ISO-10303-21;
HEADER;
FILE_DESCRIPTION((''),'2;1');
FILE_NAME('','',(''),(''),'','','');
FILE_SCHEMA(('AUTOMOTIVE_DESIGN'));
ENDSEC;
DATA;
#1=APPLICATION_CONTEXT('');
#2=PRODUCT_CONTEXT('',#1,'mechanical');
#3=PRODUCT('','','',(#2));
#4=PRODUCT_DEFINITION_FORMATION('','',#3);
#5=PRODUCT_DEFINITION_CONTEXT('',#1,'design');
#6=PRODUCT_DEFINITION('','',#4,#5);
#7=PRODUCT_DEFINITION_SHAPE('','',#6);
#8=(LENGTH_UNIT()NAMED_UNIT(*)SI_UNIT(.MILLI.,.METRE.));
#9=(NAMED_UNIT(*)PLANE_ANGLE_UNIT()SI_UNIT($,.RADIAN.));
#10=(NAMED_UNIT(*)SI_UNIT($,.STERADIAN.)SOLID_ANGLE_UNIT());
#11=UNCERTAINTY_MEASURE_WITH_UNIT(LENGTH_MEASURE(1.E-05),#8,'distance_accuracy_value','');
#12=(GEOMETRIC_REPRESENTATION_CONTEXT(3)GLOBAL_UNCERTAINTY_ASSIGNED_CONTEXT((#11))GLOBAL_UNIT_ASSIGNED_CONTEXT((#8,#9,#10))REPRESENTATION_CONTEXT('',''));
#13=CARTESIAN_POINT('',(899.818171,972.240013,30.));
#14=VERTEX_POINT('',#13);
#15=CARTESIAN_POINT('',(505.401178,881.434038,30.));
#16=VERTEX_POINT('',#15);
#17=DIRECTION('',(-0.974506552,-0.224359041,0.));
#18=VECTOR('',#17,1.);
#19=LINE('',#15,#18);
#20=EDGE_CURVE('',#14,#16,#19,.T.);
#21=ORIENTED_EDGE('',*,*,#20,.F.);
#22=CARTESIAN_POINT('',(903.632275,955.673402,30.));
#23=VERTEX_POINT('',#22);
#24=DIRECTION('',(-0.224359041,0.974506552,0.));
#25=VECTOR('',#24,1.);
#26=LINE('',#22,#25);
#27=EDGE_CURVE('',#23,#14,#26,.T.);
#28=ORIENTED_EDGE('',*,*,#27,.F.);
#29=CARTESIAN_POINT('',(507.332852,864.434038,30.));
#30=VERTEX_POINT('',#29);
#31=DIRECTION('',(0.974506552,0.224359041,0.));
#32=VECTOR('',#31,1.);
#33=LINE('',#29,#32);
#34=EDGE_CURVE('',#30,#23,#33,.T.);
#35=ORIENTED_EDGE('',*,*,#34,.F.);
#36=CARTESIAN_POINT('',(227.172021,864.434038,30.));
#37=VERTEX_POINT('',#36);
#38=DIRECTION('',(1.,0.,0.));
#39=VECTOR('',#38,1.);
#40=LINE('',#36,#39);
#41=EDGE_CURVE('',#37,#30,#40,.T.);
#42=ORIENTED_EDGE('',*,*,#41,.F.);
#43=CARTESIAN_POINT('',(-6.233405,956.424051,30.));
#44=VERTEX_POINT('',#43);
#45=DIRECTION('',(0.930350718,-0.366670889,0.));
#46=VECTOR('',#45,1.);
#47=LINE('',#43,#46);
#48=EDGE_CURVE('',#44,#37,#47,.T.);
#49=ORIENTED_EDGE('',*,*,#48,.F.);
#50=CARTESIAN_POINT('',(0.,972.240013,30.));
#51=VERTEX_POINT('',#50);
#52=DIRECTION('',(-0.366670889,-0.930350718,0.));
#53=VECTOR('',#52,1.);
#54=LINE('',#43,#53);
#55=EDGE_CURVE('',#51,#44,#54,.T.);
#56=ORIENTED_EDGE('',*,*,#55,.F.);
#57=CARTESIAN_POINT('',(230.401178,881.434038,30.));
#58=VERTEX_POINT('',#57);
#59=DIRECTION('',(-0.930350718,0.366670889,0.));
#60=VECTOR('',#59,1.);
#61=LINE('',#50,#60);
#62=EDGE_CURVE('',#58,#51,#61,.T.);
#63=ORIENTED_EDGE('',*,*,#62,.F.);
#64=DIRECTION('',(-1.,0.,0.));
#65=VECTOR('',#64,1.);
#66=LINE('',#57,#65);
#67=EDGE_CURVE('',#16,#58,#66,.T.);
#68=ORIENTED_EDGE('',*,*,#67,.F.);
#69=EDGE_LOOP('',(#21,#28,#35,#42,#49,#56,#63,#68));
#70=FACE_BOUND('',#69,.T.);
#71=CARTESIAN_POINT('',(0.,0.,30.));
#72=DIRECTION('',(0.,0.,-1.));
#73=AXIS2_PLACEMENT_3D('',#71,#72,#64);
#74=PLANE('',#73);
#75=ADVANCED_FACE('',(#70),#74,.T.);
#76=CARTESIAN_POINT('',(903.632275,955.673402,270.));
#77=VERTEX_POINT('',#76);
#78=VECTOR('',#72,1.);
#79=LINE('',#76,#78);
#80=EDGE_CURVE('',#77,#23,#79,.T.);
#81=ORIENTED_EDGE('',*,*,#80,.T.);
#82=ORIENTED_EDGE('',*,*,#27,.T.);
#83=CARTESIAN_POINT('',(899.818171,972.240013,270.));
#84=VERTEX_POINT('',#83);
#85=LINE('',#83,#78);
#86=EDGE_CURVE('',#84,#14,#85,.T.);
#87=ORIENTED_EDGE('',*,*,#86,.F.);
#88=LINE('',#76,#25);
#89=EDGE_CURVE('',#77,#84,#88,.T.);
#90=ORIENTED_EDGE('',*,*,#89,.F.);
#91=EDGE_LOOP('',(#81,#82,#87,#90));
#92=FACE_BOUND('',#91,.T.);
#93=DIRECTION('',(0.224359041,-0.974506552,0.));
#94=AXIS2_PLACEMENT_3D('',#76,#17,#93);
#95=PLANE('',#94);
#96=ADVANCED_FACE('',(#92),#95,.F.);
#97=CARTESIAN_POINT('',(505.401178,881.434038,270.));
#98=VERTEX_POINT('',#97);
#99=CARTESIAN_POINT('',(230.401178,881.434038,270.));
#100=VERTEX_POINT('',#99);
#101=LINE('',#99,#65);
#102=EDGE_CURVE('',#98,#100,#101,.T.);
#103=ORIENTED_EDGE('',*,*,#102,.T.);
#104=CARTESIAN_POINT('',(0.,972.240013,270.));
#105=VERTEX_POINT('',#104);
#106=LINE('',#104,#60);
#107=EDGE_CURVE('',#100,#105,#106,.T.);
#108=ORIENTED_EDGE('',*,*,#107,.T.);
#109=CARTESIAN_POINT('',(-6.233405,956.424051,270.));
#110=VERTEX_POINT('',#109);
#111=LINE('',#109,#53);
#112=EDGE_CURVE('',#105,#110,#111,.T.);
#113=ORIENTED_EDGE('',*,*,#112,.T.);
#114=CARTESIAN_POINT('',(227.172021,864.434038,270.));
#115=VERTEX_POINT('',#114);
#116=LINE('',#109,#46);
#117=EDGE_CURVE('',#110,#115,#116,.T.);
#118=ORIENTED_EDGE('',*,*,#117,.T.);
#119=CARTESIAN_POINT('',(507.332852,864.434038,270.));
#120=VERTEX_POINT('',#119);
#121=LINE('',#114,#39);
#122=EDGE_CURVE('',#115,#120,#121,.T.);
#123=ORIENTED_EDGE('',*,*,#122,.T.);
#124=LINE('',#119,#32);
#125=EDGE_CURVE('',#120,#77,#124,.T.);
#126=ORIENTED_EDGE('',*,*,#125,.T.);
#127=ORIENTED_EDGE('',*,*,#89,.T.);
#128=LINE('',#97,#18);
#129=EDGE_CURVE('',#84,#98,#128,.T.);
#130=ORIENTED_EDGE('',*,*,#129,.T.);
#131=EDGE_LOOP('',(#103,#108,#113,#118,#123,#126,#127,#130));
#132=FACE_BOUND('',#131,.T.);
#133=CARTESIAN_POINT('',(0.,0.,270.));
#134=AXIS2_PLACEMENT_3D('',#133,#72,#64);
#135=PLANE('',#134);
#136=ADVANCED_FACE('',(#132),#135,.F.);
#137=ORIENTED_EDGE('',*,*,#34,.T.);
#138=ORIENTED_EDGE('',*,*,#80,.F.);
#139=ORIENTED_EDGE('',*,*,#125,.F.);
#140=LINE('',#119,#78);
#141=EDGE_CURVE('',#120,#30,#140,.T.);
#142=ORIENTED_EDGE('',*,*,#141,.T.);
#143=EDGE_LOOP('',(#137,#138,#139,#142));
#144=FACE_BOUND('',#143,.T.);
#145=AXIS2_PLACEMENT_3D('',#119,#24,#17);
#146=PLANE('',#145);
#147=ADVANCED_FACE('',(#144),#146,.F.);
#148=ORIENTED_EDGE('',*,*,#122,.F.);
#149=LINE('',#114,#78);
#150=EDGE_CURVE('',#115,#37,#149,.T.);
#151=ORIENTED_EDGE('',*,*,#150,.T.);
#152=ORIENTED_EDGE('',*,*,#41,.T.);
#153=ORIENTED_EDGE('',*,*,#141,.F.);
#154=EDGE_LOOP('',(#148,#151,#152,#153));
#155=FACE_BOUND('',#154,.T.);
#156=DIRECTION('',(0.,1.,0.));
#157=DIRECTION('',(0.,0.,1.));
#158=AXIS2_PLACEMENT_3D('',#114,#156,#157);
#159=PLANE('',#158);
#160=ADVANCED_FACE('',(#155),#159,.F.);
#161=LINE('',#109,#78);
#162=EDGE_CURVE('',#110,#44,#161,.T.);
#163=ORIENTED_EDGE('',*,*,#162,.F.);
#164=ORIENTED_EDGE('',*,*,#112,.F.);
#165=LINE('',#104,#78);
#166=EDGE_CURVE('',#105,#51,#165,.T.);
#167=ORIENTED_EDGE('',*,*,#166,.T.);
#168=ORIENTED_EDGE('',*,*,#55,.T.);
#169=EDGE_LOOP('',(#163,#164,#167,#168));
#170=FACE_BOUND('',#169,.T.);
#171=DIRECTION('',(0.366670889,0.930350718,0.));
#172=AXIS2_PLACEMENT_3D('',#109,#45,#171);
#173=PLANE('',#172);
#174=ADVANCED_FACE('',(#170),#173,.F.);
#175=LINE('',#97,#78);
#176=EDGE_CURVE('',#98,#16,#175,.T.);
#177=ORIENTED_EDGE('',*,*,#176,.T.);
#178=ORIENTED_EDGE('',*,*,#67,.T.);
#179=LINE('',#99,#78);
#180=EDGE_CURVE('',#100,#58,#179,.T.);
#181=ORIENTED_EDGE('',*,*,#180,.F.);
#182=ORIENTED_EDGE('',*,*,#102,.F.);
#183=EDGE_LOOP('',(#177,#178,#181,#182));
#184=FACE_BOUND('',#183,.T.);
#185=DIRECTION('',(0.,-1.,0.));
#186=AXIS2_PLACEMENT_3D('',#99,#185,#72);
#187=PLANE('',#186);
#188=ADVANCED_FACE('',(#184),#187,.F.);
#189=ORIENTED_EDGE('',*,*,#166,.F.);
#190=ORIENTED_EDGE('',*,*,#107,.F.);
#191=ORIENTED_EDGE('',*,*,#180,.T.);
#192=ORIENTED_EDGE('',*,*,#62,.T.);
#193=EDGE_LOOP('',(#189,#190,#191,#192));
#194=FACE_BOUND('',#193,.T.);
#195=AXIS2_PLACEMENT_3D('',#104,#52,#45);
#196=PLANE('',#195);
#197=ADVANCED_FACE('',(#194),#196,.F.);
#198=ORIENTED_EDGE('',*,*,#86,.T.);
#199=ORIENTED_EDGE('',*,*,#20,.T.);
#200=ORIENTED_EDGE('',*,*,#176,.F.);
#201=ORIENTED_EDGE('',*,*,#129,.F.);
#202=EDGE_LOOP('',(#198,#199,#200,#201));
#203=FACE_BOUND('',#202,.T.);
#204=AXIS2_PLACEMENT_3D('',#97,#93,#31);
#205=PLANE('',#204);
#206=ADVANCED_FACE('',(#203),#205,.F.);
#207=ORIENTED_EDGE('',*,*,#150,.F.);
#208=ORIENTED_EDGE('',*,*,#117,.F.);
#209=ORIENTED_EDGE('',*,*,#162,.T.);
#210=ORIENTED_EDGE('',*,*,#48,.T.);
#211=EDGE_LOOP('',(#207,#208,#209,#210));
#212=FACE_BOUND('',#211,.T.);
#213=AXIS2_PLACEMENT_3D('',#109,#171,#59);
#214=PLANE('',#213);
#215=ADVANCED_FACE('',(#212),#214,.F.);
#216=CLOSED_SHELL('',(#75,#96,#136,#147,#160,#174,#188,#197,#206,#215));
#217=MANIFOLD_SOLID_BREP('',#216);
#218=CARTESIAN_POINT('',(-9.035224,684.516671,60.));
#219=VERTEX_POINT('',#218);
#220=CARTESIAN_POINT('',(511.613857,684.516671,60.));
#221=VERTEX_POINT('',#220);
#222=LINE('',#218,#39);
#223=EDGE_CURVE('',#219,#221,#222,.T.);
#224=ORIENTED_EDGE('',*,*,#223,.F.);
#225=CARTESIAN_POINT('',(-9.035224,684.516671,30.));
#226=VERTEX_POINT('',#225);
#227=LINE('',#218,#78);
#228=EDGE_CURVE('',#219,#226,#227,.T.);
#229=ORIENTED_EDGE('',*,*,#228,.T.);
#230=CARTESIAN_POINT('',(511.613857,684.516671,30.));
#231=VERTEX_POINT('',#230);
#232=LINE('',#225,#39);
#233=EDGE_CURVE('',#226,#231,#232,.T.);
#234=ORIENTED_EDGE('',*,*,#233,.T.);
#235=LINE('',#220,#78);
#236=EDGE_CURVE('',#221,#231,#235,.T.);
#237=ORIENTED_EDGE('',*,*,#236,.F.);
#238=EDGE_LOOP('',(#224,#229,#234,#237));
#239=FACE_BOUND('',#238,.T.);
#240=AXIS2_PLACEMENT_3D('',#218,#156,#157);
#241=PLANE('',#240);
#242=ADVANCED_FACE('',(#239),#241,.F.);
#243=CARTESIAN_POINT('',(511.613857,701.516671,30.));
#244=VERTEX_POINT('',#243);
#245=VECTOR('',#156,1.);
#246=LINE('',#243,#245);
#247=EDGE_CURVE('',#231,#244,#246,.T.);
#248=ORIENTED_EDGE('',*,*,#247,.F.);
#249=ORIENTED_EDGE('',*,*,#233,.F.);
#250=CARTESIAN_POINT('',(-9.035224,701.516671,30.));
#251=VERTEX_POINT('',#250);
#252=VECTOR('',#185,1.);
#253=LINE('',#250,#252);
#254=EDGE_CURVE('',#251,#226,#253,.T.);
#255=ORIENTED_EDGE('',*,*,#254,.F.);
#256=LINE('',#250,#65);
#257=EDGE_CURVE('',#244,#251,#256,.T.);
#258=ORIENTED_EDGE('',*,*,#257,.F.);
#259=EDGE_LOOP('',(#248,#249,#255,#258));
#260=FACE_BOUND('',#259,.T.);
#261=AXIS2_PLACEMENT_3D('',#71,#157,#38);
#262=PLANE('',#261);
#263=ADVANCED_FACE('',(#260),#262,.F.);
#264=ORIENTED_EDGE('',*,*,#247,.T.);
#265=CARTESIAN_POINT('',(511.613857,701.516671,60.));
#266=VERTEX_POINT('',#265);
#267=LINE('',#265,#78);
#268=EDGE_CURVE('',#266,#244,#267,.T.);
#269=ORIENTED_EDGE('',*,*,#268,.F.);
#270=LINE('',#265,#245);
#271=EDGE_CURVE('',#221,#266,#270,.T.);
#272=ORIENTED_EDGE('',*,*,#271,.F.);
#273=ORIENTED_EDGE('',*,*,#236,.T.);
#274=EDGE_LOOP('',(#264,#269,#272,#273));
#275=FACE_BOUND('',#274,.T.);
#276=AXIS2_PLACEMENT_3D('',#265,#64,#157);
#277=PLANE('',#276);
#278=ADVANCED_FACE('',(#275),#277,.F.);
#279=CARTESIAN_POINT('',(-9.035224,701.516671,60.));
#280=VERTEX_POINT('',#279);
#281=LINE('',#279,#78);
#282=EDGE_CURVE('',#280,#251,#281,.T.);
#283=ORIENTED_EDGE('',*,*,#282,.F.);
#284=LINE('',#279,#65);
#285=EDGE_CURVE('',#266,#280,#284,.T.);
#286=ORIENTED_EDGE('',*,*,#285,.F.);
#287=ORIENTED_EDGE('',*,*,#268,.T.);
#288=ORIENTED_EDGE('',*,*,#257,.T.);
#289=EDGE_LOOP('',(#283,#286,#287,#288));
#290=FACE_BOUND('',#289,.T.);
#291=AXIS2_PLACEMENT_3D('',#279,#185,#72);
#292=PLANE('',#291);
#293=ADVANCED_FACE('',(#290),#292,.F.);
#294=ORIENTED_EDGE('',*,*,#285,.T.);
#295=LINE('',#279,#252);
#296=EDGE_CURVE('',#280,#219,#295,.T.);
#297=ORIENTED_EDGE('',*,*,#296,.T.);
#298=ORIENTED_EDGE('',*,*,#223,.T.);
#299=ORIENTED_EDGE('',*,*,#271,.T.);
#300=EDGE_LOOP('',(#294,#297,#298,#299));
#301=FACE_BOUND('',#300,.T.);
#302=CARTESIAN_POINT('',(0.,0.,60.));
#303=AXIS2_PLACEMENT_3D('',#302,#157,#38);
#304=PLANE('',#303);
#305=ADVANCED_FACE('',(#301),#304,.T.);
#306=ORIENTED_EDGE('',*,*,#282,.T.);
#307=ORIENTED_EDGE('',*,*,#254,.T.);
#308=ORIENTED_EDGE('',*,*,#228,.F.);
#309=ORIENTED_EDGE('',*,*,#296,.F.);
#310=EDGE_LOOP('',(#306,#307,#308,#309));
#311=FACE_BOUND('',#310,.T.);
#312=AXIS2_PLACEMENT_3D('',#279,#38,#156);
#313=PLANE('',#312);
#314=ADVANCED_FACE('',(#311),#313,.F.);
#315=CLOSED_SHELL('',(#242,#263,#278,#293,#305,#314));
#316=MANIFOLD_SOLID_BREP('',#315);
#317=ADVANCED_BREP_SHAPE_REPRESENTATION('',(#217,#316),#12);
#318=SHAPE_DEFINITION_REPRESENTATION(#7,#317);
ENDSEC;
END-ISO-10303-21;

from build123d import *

# Parameters (mm, degrees)
ESBO_O1_W                = 520.649080511
ESBO_O1_H                = 17
RESSALTO_EXTRUS_O1_DEPTH = 30
RESSALTO_EXTRUS_O2_DEPTH = 240


with BuildPart() as part:
    # Esboço1 → Ressalto-extrusão1 (new body)
    with BuildSketch(Plane.XY.offset(30)):
        with Locations((251.289316527, 693.016670883)):
            Rectangle(ESBO_O1_W, ESBO_O1_H)
    extrude(amount=RESSALTO_EXTRUS_O1_DEPTH)


with BuildPart() as body_2:
    # Esboço2 → Ressalto-extrusão2 (new body)
    with BuildSketch(Plane.XY.offset(30)):
        Polygon((0, 972.240013316), (230.401177787, 881.434037576), (505.401177787, 881.434037576), (899.818171461, 972.240013316), (903.632275154, 955.673401924), (507.332852153, 864.434037576), (227.172021003, 864.434037576), (-6.233405118, 956.424051106), align=None)
    extrude(amount=RESSALTO_EXTRUS_O2_DEPTH)


solid = Compound([part.part, body_2.part])
